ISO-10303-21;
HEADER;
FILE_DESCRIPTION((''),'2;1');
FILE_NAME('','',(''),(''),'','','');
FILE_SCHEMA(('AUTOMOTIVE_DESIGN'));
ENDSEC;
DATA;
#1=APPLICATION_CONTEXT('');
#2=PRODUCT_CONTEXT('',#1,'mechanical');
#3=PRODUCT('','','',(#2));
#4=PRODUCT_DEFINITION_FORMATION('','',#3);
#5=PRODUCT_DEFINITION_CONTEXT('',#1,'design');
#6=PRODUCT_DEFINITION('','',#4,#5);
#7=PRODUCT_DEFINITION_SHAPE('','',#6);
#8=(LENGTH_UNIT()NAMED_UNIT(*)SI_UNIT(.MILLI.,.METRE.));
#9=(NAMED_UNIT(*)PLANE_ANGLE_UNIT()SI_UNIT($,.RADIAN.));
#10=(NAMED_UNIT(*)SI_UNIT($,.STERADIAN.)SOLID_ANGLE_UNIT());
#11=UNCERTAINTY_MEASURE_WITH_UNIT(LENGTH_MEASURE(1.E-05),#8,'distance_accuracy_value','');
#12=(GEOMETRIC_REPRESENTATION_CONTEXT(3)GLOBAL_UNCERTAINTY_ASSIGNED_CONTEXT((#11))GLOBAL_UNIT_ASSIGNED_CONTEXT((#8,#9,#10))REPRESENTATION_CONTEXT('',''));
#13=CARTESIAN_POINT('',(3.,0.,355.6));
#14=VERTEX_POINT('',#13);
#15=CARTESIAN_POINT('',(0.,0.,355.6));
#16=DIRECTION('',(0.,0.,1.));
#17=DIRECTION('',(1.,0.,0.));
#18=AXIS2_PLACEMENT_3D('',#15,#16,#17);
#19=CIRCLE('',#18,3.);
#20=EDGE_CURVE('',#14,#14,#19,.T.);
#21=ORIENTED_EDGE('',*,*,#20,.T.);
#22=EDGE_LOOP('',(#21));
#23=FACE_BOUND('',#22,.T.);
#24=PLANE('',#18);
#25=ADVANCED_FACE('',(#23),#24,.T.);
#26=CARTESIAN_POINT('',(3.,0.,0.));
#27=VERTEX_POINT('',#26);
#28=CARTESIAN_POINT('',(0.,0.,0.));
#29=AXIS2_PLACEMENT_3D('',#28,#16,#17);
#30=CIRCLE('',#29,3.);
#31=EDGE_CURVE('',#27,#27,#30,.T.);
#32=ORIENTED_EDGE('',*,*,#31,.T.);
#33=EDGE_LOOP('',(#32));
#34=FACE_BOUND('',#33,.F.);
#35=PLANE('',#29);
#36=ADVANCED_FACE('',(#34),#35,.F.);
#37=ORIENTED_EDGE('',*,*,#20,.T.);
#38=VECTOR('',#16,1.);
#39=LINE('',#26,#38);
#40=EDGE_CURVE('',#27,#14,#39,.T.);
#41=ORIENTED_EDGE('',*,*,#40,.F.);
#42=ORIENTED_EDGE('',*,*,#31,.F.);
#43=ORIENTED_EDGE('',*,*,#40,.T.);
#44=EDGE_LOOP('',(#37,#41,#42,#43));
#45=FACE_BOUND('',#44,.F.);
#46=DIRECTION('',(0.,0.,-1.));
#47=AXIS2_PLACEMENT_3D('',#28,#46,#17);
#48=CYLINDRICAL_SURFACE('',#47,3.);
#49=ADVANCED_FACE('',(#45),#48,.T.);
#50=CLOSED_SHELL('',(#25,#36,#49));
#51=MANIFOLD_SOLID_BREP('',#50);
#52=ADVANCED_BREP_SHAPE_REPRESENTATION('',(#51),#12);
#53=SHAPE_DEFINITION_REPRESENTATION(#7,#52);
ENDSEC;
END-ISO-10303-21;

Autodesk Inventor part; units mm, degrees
ref_plane "YZ Plane" through (0, 0, 0) normal (1, 0, 0) x (0, 1, 0)
ref_plane "XZ Plane" through (0, 0, 0) normal (0, 1, 0) x (-1, 0, 0)
ref_plane "XY Plane" through (0, 0, 0) normal (0, 0, 1) x (1, 0, 0)
sketch "Sketch1" plane through (0, 0, 0) normal (0, 0, 1) x (1, 0, 0)
  circle A0 centre (0, 0) radius 3
  dimension "d0" = 6
extrude "Extrusion1" add sketch "Sketch1" along normal blind 355.6
properties part number "Shaft"
